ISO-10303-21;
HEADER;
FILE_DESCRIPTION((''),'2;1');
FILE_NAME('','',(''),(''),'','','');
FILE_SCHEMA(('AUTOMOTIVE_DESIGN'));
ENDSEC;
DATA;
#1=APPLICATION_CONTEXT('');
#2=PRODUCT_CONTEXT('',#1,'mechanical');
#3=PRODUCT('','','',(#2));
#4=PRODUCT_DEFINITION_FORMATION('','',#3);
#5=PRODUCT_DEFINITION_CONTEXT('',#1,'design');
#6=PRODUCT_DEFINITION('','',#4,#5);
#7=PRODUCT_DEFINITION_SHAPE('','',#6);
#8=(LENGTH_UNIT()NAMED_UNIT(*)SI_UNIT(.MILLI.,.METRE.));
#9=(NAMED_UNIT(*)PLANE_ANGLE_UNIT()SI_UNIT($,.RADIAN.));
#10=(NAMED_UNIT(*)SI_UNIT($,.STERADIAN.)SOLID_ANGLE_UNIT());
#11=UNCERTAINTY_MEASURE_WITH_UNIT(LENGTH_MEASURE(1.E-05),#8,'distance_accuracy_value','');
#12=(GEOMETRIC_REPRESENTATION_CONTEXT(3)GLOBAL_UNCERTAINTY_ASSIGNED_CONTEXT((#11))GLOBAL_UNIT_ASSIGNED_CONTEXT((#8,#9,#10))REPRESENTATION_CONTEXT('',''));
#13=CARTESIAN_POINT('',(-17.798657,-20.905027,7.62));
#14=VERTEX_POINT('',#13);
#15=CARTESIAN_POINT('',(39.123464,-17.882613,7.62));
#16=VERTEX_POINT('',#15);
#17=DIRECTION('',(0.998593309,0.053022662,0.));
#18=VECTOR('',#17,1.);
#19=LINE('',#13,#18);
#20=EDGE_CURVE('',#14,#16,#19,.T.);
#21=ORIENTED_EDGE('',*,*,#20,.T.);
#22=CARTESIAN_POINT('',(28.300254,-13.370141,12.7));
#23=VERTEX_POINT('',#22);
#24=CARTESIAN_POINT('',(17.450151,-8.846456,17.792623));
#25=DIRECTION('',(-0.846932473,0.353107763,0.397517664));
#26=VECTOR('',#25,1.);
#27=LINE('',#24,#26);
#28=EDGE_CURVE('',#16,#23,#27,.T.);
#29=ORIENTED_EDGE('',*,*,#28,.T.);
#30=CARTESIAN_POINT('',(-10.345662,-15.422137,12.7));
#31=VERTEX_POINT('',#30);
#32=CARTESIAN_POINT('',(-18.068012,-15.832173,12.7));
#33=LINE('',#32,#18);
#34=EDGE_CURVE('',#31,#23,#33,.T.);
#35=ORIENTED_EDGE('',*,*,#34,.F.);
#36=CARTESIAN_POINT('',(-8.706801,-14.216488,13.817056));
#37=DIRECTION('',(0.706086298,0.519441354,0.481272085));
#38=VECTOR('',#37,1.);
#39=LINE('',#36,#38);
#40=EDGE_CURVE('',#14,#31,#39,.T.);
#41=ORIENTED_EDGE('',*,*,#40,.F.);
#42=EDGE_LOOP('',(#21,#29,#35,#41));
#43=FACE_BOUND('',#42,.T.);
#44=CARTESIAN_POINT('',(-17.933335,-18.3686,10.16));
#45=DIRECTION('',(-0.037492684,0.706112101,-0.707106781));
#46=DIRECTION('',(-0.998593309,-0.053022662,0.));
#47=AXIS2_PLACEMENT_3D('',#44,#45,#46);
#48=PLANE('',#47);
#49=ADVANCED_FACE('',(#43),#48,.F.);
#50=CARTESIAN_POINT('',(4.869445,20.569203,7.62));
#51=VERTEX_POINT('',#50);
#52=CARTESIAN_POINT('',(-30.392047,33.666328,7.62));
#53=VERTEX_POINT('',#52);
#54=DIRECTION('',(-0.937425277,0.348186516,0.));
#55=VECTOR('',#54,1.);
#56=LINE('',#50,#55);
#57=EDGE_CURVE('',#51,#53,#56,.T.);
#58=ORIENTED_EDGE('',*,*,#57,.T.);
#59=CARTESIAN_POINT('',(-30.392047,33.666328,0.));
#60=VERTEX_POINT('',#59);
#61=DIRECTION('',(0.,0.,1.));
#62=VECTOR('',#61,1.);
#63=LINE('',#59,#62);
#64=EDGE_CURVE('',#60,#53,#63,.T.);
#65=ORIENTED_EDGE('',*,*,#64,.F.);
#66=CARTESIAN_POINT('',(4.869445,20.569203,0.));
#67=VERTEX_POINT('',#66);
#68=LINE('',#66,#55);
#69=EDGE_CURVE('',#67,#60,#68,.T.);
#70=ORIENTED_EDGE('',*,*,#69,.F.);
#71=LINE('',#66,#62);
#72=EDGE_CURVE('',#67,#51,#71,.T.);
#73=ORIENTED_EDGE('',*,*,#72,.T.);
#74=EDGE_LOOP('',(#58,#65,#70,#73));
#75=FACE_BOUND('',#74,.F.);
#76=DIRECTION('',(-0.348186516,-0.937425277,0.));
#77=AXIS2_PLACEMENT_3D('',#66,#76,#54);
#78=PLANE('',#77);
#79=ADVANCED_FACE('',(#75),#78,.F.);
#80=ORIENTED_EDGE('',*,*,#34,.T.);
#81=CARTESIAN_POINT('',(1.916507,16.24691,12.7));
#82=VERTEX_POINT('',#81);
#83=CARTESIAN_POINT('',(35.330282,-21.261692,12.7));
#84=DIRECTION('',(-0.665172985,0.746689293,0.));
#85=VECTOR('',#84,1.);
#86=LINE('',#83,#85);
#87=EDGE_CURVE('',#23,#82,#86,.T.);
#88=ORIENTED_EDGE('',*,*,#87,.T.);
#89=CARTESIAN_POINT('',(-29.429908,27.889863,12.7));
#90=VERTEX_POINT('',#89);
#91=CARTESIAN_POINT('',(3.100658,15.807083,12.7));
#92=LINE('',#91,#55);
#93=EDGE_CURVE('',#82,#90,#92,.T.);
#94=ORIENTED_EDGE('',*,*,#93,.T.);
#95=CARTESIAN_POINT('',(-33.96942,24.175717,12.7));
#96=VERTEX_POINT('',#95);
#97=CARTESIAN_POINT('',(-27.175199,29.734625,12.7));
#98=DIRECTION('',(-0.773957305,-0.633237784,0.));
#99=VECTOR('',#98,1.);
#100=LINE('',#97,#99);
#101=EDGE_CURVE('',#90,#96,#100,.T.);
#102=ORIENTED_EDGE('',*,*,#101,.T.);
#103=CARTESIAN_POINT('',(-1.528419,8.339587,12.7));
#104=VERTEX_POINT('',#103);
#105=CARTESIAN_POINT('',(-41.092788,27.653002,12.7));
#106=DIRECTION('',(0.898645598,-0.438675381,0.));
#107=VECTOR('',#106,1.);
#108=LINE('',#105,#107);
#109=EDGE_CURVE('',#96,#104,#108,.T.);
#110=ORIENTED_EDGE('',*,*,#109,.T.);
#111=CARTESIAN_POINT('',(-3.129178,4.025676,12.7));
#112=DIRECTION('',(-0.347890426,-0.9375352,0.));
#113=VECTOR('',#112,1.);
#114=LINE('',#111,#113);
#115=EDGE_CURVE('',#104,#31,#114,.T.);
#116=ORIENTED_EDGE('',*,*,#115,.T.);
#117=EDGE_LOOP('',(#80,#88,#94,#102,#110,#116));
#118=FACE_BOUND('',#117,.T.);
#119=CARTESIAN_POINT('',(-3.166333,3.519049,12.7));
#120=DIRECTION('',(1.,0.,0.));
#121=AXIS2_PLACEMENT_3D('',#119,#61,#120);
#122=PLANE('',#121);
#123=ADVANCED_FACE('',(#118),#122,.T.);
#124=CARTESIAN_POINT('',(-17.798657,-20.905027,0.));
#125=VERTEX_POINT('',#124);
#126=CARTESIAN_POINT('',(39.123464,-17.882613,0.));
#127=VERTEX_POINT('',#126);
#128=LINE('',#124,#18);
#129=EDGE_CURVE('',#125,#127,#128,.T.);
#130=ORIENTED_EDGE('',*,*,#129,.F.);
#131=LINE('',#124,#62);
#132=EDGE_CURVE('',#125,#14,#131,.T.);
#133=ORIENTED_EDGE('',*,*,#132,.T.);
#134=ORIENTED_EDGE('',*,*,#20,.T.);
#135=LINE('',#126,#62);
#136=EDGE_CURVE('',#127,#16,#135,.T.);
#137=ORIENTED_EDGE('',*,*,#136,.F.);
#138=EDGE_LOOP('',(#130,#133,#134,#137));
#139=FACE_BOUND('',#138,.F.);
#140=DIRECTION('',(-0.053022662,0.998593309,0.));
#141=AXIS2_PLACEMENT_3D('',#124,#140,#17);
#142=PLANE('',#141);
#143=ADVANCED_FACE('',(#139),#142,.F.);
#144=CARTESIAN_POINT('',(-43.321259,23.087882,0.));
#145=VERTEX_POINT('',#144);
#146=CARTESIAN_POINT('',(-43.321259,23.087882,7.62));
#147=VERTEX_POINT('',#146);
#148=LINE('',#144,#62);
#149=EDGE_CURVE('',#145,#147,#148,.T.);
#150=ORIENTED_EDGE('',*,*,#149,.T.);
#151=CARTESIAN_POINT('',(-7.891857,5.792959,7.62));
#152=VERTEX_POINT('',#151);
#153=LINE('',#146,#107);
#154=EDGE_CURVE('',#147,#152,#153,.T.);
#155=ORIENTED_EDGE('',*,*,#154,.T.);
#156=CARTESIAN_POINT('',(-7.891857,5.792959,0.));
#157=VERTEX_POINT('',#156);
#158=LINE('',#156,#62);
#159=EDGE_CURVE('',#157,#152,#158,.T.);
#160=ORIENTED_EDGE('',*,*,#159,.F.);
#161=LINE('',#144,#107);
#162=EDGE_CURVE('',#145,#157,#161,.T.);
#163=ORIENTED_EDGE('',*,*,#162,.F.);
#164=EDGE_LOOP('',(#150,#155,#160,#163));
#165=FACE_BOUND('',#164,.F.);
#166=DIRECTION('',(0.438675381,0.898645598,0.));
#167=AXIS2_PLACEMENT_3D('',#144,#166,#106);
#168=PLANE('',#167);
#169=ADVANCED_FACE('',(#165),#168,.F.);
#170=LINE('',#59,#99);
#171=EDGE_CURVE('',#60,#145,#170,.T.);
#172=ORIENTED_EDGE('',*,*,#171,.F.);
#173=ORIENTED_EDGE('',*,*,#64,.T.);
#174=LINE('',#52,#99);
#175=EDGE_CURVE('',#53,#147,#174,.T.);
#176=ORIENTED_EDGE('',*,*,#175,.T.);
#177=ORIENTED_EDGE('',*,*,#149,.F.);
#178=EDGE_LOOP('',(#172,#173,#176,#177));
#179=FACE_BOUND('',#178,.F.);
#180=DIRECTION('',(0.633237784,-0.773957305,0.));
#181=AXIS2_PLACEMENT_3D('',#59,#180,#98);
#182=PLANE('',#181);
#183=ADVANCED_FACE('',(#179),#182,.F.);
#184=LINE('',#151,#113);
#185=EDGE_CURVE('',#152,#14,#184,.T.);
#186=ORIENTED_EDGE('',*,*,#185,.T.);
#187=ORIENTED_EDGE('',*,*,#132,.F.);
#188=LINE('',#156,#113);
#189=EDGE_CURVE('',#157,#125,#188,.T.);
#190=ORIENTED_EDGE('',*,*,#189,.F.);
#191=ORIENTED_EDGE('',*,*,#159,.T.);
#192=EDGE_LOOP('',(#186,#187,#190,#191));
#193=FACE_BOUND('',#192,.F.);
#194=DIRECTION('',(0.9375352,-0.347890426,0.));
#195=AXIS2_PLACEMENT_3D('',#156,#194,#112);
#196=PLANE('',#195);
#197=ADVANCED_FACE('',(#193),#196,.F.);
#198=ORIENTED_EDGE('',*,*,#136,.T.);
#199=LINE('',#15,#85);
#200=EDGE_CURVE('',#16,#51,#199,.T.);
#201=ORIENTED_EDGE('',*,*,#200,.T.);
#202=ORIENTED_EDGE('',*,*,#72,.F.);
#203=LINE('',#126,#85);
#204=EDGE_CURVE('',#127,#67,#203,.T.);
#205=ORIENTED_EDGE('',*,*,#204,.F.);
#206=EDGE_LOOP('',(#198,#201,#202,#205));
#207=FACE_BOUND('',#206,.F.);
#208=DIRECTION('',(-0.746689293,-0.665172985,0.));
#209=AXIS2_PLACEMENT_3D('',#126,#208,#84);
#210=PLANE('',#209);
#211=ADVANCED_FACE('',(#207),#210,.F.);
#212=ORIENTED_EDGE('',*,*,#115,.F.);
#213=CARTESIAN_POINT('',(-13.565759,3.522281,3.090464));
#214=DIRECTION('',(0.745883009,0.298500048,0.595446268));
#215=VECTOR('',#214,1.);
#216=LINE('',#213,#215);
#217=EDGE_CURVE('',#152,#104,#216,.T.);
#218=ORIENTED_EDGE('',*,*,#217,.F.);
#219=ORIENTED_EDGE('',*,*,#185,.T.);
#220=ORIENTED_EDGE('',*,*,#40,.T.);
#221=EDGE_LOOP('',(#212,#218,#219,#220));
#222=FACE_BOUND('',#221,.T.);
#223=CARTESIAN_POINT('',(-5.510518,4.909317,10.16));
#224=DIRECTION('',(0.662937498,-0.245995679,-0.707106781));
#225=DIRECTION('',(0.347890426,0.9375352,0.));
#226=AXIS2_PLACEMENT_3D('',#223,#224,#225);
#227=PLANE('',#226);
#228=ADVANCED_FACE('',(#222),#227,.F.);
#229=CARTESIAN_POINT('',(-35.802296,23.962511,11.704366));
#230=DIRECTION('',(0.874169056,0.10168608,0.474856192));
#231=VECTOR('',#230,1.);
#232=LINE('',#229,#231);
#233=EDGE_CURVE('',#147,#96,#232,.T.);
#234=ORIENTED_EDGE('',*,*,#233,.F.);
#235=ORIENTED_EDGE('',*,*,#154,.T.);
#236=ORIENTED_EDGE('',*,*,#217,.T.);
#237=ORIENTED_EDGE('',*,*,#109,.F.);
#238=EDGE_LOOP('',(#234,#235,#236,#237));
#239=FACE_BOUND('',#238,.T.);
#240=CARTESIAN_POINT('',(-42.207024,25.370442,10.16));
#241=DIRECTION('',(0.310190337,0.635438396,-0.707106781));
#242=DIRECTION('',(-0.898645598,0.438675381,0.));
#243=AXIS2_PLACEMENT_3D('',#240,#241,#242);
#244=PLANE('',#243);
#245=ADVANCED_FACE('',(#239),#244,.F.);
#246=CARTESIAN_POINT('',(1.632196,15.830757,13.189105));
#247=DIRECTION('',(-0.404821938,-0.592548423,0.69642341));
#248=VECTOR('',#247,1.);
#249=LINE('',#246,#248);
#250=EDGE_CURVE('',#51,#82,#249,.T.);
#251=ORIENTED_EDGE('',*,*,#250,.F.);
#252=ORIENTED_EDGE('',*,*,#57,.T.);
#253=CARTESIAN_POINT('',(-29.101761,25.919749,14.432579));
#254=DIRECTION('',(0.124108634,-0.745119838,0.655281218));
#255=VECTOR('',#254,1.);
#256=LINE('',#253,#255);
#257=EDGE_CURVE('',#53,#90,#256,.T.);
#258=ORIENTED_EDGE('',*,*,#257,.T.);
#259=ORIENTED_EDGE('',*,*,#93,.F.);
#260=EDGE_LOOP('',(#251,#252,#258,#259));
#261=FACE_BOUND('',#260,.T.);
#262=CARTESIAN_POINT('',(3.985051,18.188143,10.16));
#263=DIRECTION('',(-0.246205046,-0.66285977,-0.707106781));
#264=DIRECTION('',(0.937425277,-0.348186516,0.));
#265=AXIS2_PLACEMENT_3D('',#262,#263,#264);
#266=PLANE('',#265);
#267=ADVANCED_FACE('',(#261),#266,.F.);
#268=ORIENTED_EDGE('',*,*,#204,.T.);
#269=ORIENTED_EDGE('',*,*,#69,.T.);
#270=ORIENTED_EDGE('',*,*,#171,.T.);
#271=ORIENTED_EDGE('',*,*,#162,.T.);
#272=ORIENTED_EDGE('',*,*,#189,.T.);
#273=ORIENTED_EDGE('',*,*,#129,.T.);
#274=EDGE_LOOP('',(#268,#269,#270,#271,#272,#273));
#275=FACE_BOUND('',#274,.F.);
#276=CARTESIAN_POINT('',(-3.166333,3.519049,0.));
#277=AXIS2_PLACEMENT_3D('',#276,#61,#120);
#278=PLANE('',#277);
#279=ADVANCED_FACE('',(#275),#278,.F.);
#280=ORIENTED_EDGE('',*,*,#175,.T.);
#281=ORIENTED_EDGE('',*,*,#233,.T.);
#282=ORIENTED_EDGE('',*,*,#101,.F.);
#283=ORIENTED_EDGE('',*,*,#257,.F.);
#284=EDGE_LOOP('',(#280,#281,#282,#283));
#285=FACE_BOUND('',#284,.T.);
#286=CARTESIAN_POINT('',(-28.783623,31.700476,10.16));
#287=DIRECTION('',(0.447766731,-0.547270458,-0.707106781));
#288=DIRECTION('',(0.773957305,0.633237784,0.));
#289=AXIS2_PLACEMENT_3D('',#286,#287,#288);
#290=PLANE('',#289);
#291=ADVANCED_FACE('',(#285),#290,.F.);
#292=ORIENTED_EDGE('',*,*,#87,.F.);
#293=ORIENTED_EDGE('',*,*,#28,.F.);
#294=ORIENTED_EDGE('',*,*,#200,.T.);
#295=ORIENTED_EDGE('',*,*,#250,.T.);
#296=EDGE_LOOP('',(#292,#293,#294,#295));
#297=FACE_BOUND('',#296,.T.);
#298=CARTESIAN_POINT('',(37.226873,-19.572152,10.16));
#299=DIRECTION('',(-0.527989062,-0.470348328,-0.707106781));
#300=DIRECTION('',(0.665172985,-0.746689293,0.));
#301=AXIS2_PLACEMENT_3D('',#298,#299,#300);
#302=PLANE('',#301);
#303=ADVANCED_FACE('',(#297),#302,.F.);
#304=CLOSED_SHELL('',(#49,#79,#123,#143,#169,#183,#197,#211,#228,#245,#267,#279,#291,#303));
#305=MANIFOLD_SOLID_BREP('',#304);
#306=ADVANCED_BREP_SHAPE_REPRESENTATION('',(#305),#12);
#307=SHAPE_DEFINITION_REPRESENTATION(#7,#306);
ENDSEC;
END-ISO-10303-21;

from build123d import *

# Parameters (mm, degrees)
F1_DEPTH = 12.7
F2_SIZE  = 5.08


with BuildPart() as f1:
    # F0 (on Top) → F1 (new body)
    with BuildSketch(Plane.XY):
        Polygon((-30.392047, 33.666328), (-43.321259, 23.087882), (-7.891857, 5.792959), (-17.798657, -20.905027), (39.123464, -17.882613), (4.869445, 20.569203), align=None)
    extrude(amount=F1_DEPTH)

    # F2
    f2_edges = [f1.edges().sort_by_distance(p)[0] for p in [
        (-12.761301, 27.117766, 12.7),
        (-36.856653, 28.377105, 12.7),
        (-25.606558, 14.44042, 12.7),
        (-12.845257, -7.556034, 12.7),
        (10.662404, -19.39382, 12.7),
        (21.996455, 1.343295, 12.7),
    ]]
    chamfer(f2_edges, length=F2_SIZE)


solid = f1.part
